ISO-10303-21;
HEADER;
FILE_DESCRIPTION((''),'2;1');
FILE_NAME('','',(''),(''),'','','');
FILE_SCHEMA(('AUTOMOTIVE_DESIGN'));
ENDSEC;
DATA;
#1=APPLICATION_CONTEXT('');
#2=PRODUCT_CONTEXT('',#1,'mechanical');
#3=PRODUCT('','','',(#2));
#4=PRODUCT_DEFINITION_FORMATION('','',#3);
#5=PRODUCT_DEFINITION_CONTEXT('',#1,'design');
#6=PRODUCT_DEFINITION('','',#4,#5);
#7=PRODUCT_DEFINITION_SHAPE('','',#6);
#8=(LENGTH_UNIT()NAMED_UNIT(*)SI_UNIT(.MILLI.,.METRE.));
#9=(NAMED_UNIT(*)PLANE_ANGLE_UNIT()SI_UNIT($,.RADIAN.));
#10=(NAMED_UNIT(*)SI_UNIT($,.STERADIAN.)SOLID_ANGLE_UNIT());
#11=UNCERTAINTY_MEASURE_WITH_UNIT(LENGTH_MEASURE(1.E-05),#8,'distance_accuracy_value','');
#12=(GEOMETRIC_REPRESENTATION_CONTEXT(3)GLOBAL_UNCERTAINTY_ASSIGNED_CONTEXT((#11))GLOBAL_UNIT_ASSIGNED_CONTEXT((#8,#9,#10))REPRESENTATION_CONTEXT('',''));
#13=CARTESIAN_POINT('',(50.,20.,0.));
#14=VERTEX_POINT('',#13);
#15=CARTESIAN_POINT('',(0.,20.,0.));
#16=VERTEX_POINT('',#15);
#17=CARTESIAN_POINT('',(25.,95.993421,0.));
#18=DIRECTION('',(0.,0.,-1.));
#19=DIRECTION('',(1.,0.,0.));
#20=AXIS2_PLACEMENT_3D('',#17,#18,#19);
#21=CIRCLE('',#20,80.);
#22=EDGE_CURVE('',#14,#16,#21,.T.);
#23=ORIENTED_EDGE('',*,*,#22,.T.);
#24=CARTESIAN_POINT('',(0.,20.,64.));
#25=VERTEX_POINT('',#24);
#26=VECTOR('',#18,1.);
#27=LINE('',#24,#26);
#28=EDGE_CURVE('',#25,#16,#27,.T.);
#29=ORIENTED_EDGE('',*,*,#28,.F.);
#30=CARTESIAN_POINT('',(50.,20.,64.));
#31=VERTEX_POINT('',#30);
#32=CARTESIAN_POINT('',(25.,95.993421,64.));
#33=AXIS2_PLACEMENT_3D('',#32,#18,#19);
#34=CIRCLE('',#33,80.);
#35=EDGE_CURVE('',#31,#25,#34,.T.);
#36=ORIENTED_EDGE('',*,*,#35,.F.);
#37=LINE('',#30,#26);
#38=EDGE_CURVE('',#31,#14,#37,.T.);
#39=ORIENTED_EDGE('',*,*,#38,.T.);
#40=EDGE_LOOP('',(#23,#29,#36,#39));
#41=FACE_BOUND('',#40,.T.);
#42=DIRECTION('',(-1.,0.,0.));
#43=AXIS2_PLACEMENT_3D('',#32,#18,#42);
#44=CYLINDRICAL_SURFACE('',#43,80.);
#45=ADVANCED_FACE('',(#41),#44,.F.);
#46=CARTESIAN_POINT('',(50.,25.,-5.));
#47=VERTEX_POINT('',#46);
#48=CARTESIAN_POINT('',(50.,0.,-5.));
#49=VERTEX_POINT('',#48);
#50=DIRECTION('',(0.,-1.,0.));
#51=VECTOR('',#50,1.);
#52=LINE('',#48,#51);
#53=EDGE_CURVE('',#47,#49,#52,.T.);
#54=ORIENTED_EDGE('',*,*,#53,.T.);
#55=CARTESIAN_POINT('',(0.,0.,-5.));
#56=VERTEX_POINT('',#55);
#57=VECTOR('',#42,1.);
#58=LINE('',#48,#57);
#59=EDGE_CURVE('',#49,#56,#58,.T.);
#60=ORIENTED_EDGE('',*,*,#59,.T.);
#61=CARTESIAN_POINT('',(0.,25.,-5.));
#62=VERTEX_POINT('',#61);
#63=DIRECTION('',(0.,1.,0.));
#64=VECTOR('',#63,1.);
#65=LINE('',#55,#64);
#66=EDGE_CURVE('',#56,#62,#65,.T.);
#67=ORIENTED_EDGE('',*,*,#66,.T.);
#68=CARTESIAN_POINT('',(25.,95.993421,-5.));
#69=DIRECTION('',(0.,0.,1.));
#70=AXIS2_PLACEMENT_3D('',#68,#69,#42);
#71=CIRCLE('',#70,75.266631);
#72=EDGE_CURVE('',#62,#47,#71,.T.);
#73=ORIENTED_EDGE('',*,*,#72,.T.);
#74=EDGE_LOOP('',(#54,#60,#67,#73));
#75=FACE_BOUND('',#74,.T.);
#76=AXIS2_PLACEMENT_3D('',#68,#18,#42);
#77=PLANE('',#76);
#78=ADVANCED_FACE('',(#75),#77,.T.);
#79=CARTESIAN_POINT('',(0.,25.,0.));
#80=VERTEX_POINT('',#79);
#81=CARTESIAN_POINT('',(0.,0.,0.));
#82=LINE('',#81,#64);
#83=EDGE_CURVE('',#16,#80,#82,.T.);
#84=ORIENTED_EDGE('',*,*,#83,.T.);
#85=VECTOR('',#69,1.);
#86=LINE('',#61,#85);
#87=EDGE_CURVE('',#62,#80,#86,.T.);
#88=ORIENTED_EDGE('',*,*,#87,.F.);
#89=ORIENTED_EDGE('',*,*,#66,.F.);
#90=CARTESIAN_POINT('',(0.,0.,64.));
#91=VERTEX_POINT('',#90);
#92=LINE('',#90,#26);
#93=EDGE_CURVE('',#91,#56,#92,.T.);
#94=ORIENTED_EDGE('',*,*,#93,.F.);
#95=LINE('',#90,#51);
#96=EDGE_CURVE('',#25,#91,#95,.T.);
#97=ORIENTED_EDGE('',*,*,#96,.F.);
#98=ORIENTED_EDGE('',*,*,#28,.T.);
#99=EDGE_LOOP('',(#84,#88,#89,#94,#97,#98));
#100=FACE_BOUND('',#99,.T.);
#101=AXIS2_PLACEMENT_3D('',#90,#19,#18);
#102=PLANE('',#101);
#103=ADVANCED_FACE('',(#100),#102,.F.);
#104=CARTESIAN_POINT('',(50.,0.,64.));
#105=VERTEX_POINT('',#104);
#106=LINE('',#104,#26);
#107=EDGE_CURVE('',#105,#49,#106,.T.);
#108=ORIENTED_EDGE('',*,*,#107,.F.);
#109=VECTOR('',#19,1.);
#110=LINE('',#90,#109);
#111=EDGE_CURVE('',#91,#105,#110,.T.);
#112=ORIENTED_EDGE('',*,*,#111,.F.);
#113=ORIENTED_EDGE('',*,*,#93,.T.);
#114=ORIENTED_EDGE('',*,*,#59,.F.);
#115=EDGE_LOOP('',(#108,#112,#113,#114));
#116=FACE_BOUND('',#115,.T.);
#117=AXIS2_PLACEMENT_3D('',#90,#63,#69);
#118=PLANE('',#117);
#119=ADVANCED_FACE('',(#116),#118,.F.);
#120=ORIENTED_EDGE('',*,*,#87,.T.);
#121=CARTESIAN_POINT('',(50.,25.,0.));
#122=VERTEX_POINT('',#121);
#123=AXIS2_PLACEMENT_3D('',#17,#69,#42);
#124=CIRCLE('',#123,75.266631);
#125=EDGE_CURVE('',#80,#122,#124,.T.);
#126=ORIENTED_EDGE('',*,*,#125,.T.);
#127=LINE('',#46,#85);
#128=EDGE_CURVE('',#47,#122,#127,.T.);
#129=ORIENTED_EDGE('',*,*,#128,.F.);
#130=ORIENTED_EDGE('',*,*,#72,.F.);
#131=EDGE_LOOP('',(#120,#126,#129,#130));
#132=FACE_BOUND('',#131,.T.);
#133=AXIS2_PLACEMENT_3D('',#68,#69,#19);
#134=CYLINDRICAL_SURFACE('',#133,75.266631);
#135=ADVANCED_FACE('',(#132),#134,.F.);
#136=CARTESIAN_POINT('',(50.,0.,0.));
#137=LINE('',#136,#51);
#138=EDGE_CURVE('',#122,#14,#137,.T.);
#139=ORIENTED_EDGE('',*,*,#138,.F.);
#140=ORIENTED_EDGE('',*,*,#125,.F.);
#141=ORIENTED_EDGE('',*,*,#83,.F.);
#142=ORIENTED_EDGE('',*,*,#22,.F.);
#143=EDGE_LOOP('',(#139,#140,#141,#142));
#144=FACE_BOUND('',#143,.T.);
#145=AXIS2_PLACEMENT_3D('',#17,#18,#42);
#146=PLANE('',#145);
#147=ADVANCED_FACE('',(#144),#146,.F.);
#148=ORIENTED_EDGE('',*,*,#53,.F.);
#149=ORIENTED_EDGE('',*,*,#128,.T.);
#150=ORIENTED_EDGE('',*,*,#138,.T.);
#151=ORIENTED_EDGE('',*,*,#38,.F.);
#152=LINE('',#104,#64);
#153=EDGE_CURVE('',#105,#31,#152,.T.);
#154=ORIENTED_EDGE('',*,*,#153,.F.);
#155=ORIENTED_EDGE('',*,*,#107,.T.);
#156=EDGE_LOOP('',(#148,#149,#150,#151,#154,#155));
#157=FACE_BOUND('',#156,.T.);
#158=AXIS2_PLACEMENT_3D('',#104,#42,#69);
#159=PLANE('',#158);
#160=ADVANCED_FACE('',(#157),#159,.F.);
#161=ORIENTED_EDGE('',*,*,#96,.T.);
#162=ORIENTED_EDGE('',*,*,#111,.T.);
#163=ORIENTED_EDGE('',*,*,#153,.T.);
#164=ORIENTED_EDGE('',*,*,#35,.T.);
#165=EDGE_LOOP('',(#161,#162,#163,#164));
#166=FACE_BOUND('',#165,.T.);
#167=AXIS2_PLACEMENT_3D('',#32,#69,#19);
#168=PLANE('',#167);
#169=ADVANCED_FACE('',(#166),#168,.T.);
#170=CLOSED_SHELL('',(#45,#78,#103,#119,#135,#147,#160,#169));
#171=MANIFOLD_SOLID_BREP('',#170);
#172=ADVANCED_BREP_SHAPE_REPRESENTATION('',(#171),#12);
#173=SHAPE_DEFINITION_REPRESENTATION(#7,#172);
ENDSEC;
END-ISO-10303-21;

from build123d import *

# Parameters (mm, degrees)
BOSS_EXTRUDE1_DEPTH = 64
BOSS_EXTRUDE2_DEPTH = 5


with BuildPart() as part:
    # Sketch3 → Boss-Extrude1 (new body)
    with BuildSketch(Plane.XY):
        with BuildLine():
            Line((0, 0), (50, 0))
            Line((50, 0), (50, 20))
            ThreePointArc((50, 20), (25, 15.993420768), (0, 20))
            Line((0, 20), (0, 0))
        make_face()
    extrude(amount=BOSS_EXTRUDE1_DEPTH)

    # Sketch4 → Boss-Extrude2 (add)
    with BuildSketch(Plane(origin=(0, 0, 0), x_dir=(-1, 0, 0), z_dir=(0, 0, -1))):
        with BuildLine():
            Line((-50, 0), (0, 0))
            Line((0, 0), (0, 25))
            ThreePointArc((0, 25), (-25, 20.726789434), (-50, 25))
            Line((-50, 25), (-50, 0))
        make_face()
    extrude(amount=BOSS_EXTRUDE2_DEPTH)


solid = part.part
